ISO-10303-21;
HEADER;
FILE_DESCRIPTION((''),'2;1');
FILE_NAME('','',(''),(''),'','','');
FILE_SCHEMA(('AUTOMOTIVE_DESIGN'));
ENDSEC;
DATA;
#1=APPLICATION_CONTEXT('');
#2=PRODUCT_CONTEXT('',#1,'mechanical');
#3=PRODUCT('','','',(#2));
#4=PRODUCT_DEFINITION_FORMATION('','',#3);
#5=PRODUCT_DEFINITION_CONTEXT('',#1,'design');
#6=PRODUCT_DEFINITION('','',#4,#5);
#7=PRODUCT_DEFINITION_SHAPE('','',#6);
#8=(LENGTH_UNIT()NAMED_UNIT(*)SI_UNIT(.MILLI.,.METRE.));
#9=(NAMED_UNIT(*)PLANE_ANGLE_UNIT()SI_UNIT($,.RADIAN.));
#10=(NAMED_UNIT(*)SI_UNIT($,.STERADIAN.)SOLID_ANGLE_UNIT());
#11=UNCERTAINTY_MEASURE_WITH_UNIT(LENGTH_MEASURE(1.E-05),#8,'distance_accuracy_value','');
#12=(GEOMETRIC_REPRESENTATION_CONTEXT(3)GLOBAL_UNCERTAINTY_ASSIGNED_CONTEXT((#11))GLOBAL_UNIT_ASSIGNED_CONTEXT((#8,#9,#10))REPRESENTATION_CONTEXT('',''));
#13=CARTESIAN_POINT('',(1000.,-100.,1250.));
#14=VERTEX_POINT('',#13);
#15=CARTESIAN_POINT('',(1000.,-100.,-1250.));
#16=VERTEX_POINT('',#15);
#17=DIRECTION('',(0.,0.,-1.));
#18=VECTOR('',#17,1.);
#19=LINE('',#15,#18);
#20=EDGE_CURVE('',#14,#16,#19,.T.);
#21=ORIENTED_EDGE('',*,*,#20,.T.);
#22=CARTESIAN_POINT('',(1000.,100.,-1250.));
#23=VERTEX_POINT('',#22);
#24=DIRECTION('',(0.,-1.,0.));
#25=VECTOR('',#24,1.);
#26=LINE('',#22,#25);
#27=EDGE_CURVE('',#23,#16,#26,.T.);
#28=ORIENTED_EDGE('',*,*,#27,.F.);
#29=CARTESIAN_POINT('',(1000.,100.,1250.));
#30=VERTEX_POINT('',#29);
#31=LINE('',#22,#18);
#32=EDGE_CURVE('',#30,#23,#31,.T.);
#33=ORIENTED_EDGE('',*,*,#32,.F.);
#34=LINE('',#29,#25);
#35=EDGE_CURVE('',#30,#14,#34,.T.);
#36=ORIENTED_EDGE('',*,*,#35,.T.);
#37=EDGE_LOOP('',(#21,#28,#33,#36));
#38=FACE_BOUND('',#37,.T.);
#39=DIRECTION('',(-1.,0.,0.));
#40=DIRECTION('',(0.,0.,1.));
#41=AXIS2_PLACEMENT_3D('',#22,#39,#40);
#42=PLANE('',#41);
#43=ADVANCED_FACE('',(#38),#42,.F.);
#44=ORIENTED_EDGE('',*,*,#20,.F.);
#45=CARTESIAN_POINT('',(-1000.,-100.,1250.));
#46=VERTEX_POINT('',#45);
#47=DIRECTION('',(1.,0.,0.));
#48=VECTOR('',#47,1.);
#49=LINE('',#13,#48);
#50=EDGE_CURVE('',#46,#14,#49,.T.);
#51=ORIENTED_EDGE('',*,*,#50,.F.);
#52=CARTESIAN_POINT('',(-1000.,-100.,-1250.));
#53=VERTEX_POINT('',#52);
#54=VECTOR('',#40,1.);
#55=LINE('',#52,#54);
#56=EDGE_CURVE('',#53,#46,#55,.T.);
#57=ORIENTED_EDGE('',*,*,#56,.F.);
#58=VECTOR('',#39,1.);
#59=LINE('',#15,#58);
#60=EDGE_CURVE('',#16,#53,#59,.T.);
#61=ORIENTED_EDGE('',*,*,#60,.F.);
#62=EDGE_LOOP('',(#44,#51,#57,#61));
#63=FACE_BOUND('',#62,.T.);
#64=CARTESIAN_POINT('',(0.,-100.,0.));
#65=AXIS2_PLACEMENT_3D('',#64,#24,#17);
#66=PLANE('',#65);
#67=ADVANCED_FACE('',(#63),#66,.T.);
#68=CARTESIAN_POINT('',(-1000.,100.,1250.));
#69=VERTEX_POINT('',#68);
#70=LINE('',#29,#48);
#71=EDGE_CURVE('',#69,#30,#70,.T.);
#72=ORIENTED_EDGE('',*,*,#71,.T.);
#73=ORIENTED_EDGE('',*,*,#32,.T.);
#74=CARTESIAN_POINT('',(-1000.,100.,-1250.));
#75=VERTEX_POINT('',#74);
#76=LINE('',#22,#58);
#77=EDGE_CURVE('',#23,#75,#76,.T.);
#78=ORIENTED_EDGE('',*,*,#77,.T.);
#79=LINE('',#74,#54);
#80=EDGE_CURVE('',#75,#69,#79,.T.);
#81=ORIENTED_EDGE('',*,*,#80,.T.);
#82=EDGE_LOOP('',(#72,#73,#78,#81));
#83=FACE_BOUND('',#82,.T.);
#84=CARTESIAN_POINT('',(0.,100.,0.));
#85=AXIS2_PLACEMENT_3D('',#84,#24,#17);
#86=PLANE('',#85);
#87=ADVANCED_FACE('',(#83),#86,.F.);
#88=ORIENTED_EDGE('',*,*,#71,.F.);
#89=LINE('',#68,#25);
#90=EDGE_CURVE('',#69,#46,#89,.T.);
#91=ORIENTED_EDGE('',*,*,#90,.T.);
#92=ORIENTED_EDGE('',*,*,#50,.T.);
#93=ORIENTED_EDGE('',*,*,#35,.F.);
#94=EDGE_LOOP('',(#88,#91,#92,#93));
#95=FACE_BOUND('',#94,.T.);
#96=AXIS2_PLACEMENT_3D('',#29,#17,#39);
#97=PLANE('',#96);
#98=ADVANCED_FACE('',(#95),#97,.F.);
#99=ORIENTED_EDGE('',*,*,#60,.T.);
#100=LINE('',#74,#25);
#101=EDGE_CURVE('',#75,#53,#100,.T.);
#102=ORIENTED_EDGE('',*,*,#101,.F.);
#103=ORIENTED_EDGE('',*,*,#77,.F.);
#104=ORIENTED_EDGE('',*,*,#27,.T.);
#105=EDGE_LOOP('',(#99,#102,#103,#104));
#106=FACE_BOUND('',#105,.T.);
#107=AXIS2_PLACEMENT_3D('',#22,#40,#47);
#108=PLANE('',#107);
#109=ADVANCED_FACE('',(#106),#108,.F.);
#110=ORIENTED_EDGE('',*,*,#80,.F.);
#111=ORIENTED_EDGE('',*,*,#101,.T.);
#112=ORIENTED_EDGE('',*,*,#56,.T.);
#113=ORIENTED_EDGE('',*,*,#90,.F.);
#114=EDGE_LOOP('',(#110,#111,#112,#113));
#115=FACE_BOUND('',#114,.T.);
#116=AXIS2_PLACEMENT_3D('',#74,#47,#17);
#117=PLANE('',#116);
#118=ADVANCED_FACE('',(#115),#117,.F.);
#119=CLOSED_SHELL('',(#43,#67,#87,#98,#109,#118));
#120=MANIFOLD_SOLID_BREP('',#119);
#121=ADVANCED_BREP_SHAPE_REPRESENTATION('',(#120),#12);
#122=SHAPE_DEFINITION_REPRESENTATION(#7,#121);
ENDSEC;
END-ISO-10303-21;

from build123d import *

# Parameters (mm, degrees)
SKETCH1_W           = 2000
SKETCH1_H           = 2500
BOSS_EXTRUDE1_DEPTH = 100


with BuildPart() as part:
    # Sketch1 → Boss-Extrude1 (new body, symmetric)
    with BuildSketch(Plane(origin=(0, 0, 0), x_dir=(1, 0, 0), z_dir=(0, 1, 0))):
        Rectangle(SKETCH1_W, SKETCH1_H)
    extrude(amount=BOSS_EXTRUDE1_DEPTH, both=True)


solid = part.part
